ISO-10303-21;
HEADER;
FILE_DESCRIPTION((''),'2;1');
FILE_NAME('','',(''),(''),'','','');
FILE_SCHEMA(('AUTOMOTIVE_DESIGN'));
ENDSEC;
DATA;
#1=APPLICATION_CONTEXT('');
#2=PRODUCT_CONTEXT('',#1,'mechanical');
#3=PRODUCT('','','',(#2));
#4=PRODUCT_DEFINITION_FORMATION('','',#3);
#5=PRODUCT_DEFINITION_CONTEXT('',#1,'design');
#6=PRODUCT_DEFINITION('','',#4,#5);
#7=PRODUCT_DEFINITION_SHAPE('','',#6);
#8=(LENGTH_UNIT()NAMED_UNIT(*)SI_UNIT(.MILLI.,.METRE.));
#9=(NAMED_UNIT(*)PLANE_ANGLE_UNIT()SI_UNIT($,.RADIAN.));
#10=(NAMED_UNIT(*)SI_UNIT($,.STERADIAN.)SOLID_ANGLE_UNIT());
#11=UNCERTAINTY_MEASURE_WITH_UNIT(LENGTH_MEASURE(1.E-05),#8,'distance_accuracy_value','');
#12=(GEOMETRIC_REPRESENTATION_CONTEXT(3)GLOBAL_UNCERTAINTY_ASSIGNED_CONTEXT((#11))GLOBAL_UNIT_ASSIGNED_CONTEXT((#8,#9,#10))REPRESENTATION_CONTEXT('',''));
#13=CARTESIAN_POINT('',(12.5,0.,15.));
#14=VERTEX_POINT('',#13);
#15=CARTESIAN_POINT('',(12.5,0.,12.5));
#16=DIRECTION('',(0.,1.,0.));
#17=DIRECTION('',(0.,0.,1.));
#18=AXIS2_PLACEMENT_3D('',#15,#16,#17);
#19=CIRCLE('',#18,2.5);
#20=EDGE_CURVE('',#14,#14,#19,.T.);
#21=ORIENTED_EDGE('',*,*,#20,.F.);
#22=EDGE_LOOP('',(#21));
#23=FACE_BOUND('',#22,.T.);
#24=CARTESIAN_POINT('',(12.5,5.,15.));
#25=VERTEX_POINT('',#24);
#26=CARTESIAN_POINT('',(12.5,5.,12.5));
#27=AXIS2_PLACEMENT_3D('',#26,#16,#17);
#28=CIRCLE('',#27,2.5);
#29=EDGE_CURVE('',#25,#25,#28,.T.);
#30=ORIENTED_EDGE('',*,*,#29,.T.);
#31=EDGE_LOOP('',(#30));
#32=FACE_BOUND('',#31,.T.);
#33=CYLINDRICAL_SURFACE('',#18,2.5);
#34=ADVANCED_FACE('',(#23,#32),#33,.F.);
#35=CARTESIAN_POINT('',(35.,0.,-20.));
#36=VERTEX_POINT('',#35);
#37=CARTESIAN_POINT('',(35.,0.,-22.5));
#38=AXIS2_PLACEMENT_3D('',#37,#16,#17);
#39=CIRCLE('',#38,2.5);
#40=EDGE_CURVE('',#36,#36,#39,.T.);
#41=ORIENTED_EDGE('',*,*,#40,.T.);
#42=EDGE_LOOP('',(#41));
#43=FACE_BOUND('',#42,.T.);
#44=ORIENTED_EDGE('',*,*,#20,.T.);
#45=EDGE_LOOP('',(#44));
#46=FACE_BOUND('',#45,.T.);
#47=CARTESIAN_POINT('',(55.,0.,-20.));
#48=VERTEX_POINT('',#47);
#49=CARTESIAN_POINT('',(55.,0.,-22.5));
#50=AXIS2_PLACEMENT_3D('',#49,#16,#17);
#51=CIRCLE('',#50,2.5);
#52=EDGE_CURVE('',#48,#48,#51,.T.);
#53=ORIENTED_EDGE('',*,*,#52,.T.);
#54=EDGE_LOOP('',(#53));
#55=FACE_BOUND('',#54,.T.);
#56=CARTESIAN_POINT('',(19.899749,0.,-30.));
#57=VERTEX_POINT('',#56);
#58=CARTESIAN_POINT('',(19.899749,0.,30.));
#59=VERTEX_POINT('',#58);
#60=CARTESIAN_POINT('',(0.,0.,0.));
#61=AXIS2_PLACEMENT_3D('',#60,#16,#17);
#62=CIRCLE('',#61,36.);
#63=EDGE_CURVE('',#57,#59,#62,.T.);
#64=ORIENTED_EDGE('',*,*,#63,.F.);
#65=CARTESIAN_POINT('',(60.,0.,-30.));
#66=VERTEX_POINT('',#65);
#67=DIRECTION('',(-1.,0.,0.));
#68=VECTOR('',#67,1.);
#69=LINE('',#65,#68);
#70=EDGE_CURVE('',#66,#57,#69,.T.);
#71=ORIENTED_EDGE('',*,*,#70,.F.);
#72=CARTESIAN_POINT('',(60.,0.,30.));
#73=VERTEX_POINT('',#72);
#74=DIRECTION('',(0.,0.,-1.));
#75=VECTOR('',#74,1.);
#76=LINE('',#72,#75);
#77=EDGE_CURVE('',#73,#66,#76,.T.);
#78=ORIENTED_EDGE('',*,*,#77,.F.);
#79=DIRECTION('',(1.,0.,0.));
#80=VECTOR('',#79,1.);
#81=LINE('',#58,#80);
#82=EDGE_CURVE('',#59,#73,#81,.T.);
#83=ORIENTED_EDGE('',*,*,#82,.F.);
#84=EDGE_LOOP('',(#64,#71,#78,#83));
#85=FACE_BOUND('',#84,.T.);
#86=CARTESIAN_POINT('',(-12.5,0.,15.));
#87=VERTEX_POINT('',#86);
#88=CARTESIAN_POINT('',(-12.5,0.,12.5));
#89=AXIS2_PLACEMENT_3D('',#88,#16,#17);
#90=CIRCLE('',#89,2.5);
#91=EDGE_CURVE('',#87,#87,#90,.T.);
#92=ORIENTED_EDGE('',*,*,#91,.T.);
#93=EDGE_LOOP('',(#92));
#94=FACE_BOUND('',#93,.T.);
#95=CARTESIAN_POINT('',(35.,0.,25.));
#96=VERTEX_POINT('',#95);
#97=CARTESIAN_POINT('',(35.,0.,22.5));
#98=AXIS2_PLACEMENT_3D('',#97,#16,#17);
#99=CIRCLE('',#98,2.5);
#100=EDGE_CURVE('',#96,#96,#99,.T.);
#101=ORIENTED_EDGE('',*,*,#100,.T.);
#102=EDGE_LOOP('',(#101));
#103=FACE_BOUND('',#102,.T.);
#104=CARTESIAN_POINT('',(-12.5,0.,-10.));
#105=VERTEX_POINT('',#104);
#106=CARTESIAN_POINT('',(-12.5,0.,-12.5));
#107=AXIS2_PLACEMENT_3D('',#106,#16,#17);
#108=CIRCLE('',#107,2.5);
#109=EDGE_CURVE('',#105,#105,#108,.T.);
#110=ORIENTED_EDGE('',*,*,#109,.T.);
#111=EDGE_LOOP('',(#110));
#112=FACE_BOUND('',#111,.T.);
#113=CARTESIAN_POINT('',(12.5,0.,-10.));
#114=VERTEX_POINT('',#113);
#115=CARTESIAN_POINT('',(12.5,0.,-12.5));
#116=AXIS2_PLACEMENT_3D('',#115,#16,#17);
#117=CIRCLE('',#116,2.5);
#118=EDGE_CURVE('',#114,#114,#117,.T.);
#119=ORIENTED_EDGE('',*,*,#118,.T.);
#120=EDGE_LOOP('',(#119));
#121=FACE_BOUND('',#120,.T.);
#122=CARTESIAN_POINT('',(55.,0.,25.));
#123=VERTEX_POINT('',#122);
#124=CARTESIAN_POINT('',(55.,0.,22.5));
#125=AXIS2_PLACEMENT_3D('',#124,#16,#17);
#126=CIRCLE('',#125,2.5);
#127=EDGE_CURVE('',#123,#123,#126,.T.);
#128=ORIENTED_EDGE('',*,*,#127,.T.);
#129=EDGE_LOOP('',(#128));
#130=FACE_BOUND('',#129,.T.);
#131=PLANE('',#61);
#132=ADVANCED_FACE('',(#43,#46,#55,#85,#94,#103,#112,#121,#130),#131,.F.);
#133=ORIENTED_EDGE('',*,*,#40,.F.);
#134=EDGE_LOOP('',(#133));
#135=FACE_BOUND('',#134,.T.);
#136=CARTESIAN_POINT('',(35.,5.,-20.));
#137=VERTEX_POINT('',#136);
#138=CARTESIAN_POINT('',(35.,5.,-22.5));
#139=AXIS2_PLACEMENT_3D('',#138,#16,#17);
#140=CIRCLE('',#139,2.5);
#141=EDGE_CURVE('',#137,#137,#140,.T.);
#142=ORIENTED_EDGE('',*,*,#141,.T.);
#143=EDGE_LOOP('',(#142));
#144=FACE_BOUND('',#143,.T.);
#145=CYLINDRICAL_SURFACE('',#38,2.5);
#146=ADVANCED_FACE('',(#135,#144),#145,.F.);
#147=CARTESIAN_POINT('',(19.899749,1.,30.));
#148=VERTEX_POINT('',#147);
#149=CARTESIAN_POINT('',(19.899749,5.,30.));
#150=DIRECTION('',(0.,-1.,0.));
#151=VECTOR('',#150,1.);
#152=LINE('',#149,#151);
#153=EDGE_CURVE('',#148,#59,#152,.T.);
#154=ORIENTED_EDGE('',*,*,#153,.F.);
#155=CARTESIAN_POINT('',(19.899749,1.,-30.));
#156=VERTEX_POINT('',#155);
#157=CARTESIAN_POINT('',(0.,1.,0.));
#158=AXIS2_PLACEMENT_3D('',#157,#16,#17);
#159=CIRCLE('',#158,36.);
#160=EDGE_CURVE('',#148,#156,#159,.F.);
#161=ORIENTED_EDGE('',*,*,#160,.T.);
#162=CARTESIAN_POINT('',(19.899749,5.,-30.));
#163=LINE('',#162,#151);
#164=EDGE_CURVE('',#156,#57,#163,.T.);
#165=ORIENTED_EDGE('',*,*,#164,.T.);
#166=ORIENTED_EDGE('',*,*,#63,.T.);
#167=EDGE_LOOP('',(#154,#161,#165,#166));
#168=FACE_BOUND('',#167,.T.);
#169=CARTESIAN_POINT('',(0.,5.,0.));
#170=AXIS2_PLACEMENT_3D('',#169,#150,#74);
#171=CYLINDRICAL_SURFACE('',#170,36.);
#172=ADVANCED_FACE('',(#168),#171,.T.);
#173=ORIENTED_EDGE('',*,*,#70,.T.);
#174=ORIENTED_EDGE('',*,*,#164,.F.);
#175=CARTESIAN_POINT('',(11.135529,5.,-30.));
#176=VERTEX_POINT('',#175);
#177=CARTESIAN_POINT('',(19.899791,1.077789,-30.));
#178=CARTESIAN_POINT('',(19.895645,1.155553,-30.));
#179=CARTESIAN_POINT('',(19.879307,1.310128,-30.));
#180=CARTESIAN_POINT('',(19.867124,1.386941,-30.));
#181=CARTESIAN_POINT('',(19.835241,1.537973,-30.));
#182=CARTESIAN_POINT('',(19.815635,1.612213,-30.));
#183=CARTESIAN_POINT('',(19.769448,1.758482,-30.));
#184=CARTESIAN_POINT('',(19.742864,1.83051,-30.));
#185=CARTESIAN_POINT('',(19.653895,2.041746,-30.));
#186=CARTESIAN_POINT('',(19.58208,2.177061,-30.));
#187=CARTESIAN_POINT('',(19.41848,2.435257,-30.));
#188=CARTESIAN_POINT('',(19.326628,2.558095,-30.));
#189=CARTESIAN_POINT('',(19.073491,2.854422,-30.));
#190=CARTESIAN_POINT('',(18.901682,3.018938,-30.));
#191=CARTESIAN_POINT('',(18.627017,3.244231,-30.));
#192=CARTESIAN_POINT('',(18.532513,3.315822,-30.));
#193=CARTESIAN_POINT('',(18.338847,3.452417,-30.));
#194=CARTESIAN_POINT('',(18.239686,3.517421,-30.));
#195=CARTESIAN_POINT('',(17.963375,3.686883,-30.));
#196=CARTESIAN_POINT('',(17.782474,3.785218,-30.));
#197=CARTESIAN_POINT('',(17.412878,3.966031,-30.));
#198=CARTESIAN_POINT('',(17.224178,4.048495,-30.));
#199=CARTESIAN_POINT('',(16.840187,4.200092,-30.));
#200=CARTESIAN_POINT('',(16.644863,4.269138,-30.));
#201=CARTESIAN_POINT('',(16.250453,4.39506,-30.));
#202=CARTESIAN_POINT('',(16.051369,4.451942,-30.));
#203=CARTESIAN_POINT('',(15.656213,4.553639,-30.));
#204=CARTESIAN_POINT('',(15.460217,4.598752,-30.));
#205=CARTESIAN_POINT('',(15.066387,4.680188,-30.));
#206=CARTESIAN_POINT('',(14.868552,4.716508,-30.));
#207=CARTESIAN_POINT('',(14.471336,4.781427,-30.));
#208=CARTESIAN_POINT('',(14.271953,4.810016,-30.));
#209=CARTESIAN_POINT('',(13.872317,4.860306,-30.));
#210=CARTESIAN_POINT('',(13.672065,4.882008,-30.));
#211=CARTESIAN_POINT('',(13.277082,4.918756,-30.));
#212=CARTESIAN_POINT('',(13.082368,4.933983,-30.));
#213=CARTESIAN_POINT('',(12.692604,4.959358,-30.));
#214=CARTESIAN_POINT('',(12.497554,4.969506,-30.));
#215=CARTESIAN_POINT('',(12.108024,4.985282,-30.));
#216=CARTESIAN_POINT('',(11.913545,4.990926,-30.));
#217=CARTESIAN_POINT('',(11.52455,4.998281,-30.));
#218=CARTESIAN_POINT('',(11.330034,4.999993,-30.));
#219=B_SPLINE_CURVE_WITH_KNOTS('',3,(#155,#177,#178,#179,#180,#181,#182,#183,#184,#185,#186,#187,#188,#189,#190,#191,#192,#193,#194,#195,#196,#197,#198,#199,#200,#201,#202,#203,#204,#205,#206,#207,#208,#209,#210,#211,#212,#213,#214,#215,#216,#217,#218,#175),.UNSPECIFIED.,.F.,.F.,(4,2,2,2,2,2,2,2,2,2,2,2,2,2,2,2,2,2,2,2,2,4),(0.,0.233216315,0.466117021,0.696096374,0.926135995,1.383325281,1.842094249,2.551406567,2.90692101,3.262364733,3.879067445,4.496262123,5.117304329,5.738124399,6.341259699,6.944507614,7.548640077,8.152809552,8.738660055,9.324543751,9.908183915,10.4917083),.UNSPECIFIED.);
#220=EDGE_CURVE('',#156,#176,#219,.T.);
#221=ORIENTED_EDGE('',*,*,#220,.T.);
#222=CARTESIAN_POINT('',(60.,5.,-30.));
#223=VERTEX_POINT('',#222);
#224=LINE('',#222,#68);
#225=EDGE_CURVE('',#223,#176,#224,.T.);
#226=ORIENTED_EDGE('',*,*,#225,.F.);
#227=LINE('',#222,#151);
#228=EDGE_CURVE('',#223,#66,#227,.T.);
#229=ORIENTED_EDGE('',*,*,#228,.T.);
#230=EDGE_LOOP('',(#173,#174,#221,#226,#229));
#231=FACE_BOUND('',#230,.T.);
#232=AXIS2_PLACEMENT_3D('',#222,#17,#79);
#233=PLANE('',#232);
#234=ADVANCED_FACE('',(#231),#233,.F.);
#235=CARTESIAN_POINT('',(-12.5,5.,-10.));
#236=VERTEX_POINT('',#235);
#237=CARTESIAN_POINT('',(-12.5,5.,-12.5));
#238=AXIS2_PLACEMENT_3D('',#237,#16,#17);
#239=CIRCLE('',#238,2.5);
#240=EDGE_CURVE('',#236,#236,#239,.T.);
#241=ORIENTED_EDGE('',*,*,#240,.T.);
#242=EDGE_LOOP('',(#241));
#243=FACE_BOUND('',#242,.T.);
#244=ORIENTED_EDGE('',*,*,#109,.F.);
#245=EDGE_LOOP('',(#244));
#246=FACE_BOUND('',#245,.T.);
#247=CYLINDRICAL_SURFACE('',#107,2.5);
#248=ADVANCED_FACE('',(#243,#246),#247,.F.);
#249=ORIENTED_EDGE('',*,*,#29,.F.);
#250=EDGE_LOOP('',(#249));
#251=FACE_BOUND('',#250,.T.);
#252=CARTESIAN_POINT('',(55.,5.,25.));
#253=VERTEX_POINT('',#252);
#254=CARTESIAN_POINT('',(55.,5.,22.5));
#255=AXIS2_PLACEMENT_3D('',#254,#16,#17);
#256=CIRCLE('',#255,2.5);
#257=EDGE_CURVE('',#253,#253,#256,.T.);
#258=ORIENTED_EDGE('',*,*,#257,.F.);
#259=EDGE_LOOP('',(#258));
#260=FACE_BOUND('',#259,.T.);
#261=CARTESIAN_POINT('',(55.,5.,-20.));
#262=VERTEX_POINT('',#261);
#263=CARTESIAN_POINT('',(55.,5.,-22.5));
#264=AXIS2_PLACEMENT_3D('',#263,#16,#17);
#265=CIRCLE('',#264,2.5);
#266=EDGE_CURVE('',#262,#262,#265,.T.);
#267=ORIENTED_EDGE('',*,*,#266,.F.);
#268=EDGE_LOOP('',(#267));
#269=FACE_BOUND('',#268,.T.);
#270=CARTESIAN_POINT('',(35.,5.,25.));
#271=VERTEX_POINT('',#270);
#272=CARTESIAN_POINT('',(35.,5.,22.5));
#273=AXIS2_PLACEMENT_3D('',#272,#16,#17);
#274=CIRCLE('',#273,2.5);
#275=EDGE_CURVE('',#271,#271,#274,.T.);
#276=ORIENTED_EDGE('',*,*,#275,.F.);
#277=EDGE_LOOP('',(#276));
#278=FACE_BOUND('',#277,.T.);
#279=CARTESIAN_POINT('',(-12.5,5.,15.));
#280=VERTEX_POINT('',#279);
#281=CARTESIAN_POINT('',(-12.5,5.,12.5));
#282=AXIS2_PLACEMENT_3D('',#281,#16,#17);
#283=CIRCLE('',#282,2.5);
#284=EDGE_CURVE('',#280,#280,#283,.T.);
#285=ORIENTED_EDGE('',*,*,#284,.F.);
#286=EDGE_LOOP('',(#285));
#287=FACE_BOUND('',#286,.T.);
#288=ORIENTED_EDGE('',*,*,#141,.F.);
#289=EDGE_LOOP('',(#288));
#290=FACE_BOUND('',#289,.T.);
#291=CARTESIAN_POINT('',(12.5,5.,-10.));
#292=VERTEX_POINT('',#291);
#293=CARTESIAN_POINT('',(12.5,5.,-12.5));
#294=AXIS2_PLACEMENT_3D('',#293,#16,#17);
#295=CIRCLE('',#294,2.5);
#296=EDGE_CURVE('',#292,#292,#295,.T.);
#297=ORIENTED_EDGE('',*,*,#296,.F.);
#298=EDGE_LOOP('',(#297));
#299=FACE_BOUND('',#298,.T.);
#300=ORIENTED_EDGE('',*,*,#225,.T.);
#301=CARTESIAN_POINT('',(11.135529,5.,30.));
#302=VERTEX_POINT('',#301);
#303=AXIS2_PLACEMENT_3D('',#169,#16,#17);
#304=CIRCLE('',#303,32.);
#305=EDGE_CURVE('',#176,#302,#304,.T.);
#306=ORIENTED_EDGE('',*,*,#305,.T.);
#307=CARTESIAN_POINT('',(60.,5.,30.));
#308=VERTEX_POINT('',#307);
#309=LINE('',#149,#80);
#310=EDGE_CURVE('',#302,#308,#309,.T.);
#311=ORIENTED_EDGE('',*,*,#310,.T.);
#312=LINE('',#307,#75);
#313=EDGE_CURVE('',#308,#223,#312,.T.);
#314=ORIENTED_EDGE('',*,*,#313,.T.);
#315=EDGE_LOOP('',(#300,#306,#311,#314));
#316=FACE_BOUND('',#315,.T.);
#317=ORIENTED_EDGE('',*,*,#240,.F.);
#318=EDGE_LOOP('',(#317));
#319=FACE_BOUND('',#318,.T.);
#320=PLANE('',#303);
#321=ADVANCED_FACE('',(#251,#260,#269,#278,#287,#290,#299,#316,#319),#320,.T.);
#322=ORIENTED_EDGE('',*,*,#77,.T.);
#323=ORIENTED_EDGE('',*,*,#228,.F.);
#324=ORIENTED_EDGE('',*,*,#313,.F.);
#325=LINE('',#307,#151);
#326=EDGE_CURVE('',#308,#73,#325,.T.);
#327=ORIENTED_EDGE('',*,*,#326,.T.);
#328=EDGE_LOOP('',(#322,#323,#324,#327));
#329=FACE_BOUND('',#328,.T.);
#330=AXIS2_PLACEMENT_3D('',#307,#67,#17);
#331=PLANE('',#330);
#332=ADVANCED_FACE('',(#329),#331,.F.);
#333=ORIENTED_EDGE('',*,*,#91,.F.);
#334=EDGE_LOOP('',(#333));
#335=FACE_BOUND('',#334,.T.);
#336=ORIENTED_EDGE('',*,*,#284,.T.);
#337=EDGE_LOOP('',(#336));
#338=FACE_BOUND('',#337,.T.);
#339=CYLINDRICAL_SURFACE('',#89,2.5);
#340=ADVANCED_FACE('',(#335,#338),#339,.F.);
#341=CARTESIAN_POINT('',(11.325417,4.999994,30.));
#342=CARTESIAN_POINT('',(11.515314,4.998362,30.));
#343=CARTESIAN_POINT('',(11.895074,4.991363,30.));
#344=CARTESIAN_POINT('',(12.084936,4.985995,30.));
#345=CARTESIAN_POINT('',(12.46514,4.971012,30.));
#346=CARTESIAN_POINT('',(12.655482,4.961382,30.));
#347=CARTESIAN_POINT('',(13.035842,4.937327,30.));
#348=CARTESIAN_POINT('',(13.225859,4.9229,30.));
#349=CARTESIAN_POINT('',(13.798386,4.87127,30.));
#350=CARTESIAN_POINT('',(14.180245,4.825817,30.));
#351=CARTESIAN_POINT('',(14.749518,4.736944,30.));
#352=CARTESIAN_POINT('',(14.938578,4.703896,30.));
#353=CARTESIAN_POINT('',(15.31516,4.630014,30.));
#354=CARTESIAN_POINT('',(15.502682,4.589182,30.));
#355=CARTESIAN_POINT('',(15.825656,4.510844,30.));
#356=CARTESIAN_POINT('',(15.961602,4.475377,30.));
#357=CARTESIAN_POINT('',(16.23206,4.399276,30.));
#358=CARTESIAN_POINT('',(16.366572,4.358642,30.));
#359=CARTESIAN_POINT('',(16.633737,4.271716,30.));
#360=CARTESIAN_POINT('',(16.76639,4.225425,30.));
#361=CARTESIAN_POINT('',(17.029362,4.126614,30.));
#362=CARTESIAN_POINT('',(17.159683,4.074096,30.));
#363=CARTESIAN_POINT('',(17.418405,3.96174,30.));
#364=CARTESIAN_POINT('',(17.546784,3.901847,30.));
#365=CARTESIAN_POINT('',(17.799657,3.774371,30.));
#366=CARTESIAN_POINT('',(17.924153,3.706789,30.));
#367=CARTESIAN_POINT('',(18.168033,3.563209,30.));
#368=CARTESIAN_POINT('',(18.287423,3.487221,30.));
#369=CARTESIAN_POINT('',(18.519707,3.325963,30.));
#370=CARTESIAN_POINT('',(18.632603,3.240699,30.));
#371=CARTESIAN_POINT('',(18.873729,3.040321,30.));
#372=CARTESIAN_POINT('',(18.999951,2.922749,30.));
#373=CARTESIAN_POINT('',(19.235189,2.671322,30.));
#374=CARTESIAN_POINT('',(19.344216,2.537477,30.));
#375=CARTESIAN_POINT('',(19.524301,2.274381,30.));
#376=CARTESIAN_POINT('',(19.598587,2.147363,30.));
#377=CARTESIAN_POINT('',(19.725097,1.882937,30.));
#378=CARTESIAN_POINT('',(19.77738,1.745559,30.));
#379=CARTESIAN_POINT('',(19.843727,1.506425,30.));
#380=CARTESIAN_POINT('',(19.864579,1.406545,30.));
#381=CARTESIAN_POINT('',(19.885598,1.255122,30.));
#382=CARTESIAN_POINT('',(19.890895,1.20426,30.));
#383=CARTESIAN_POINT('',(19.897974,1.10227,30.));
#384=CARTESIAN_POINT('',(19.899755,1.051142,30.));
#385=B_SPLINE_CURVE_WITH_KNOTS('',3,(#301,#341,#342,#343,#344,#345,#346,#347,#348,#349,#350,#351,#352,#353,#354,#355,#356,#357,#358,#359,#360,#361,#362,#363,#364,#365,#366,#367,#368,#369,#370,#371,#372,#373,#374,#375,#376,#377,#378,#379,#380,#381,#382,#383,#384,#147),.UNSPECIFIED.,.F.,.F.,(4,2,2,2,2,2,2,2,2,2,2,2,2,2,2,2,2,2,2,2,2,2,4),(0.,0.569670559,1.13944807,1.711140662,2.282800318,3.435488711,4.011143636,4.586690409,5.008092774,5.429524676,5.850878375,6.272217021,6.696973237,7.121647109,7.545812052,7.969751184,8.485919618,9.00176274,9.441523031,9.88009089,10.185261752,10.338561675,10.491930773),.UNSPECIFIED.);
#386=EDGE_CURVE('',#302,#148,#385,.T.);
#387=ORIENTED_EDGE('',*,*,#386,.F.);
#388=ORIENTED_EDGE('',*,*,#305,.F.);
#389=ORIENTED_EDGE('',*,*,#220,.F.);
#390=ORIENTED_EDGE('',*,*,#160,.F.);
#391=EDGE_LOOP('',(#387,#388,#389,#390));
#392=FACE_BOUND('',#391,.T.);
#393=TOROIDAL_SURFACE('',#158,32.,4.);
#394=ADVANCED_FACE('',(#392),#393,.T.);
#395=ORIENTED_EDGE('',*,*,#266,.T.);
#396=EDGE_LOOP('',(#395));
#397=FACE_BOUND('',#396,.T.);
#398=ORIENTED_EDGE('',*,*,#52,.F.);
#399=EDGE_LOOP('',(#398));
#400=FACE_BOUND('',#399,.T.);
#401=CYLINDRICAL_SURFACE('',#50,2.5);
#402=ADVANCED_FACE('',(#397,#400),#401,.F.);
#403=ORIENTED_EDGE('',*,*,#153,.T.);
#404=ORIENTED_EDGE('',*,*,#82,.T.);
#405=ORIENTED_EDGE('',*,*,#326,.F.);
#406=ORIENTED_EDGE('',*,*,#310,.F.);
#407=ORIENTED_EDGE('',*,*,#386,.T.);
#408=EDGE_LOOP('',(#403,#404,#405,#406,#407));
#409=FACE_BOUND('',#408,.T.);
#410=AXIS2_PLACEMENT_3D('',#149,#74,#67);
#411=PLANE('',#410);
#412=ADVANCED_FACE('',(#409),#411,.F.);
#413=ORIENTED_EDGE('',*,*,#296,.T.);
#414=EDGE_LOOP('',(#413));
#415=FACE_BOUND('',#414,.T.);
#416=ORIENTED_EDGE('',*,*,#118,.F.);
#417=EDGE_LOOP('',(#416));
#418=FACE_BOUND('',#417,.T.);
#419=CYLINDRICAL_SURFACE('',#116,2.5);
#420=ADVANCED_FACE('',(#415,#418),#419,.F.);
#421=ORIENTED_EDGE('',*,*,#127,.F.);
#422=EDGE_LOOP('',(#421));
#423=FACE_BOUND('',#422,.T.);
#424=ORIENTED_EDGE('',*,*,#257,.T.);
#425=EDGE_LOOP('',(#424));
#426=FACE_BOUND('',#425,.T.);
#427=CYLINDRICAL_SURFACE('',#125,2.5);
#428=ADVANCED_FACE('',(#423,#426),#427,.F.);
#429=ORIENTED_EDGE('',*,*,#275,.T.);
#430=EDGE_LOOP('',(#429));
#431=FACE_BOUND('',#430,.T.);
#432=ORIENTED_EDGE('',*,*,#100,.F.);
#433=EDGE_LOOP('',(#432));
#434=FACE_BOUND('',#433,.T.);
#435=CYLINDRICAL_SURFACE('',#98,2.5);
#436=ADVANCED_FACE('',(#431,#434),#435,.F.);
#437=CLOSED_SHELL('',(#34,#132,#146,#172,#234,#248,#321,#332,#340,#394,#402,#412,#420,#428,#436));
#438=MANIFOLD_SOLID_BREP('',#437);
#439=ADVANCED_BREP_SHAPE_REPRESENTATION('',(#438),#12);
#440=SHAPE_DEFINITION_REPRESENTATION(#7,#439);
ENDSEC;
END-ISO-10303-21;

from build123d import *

# Parameters (mm, degrees)
EXTRUDE_1_DEPTH     = 5
FILLET_1_R          = 4
SKETCH_2_R          = 2.5
CUT_EXTRUDE_1_DEPTH = 71.149839773


with BuildPart() as part:
    # 草图1 → 凸台-拉伸1 (new body)
    with BuildSketch(Plane(origin=(0, 0, 0), x_dir=(1, 0, 0), z_dir=(0, 1, 0))):
        with BuildLine():
            Line((19.899748742, -30), (60, -30))
            Line((60, -30), (60, 30))
            Line((60, 30), (19.899748742, 30))
            ThreePointArc((19.899748742, 30), (-36, 0), (19.899748742, -30))
        make_face()
    extrude(amount=EXTRUDE_1_DEPTH)

    # 圆角1
    fillet_1_edges = [part.edges().sort_by_distance(p)[0] for p in [
        (-36, 5, 0),
    ]]
    fillet(fillet_1_edges, radius=FILLET_1_R)

    # 草图2 → 切除-拉伸1 (cut, through all)
    with BuildSketch(Plane(origin=(0, 5, 0), x_dir=(1, 0, 0), z_dir=(0, 1, 0))):
        with Locations(Location((-12.5, 12.5, 0), (0, 0, 270))):
            Circle(SKETCH_2_R)
        with Locations(Location((12.5, 12.5, 0), (0, 0, 270))):
            Circle(SKETCH_2_R)
        with Locations(Location((12.5, -12.5, 0), (0, 0, 270))):
            Circle(SKETCH_2_R)
        with Locations(Location((-12.5, -12.5, 0), (0, 0, 270))):
            Circle(SKETCH_2_R)
        with Locations(Location((35, 22.5, 0), (0, 0, 270))):
            Circle(SKETCH_2_R)
        with Locations(Location((55, 22.5, 0), (0, 0, 270))):
            Circle(SKETCH_2_R)
        with Locations(Location((55, -22.5, 0), (0, 0, 270))):
            Circle(SKETCH_2_R)
        with Locations(Location((35, -22.5, 0), (0, 0, 270))):
            Circle(SKETCH_2_R)
    extrude(amount=-CUT_EXTRUDE_1_DEPTH, mode=Mode.SUBTRACT)


solid = part.part
